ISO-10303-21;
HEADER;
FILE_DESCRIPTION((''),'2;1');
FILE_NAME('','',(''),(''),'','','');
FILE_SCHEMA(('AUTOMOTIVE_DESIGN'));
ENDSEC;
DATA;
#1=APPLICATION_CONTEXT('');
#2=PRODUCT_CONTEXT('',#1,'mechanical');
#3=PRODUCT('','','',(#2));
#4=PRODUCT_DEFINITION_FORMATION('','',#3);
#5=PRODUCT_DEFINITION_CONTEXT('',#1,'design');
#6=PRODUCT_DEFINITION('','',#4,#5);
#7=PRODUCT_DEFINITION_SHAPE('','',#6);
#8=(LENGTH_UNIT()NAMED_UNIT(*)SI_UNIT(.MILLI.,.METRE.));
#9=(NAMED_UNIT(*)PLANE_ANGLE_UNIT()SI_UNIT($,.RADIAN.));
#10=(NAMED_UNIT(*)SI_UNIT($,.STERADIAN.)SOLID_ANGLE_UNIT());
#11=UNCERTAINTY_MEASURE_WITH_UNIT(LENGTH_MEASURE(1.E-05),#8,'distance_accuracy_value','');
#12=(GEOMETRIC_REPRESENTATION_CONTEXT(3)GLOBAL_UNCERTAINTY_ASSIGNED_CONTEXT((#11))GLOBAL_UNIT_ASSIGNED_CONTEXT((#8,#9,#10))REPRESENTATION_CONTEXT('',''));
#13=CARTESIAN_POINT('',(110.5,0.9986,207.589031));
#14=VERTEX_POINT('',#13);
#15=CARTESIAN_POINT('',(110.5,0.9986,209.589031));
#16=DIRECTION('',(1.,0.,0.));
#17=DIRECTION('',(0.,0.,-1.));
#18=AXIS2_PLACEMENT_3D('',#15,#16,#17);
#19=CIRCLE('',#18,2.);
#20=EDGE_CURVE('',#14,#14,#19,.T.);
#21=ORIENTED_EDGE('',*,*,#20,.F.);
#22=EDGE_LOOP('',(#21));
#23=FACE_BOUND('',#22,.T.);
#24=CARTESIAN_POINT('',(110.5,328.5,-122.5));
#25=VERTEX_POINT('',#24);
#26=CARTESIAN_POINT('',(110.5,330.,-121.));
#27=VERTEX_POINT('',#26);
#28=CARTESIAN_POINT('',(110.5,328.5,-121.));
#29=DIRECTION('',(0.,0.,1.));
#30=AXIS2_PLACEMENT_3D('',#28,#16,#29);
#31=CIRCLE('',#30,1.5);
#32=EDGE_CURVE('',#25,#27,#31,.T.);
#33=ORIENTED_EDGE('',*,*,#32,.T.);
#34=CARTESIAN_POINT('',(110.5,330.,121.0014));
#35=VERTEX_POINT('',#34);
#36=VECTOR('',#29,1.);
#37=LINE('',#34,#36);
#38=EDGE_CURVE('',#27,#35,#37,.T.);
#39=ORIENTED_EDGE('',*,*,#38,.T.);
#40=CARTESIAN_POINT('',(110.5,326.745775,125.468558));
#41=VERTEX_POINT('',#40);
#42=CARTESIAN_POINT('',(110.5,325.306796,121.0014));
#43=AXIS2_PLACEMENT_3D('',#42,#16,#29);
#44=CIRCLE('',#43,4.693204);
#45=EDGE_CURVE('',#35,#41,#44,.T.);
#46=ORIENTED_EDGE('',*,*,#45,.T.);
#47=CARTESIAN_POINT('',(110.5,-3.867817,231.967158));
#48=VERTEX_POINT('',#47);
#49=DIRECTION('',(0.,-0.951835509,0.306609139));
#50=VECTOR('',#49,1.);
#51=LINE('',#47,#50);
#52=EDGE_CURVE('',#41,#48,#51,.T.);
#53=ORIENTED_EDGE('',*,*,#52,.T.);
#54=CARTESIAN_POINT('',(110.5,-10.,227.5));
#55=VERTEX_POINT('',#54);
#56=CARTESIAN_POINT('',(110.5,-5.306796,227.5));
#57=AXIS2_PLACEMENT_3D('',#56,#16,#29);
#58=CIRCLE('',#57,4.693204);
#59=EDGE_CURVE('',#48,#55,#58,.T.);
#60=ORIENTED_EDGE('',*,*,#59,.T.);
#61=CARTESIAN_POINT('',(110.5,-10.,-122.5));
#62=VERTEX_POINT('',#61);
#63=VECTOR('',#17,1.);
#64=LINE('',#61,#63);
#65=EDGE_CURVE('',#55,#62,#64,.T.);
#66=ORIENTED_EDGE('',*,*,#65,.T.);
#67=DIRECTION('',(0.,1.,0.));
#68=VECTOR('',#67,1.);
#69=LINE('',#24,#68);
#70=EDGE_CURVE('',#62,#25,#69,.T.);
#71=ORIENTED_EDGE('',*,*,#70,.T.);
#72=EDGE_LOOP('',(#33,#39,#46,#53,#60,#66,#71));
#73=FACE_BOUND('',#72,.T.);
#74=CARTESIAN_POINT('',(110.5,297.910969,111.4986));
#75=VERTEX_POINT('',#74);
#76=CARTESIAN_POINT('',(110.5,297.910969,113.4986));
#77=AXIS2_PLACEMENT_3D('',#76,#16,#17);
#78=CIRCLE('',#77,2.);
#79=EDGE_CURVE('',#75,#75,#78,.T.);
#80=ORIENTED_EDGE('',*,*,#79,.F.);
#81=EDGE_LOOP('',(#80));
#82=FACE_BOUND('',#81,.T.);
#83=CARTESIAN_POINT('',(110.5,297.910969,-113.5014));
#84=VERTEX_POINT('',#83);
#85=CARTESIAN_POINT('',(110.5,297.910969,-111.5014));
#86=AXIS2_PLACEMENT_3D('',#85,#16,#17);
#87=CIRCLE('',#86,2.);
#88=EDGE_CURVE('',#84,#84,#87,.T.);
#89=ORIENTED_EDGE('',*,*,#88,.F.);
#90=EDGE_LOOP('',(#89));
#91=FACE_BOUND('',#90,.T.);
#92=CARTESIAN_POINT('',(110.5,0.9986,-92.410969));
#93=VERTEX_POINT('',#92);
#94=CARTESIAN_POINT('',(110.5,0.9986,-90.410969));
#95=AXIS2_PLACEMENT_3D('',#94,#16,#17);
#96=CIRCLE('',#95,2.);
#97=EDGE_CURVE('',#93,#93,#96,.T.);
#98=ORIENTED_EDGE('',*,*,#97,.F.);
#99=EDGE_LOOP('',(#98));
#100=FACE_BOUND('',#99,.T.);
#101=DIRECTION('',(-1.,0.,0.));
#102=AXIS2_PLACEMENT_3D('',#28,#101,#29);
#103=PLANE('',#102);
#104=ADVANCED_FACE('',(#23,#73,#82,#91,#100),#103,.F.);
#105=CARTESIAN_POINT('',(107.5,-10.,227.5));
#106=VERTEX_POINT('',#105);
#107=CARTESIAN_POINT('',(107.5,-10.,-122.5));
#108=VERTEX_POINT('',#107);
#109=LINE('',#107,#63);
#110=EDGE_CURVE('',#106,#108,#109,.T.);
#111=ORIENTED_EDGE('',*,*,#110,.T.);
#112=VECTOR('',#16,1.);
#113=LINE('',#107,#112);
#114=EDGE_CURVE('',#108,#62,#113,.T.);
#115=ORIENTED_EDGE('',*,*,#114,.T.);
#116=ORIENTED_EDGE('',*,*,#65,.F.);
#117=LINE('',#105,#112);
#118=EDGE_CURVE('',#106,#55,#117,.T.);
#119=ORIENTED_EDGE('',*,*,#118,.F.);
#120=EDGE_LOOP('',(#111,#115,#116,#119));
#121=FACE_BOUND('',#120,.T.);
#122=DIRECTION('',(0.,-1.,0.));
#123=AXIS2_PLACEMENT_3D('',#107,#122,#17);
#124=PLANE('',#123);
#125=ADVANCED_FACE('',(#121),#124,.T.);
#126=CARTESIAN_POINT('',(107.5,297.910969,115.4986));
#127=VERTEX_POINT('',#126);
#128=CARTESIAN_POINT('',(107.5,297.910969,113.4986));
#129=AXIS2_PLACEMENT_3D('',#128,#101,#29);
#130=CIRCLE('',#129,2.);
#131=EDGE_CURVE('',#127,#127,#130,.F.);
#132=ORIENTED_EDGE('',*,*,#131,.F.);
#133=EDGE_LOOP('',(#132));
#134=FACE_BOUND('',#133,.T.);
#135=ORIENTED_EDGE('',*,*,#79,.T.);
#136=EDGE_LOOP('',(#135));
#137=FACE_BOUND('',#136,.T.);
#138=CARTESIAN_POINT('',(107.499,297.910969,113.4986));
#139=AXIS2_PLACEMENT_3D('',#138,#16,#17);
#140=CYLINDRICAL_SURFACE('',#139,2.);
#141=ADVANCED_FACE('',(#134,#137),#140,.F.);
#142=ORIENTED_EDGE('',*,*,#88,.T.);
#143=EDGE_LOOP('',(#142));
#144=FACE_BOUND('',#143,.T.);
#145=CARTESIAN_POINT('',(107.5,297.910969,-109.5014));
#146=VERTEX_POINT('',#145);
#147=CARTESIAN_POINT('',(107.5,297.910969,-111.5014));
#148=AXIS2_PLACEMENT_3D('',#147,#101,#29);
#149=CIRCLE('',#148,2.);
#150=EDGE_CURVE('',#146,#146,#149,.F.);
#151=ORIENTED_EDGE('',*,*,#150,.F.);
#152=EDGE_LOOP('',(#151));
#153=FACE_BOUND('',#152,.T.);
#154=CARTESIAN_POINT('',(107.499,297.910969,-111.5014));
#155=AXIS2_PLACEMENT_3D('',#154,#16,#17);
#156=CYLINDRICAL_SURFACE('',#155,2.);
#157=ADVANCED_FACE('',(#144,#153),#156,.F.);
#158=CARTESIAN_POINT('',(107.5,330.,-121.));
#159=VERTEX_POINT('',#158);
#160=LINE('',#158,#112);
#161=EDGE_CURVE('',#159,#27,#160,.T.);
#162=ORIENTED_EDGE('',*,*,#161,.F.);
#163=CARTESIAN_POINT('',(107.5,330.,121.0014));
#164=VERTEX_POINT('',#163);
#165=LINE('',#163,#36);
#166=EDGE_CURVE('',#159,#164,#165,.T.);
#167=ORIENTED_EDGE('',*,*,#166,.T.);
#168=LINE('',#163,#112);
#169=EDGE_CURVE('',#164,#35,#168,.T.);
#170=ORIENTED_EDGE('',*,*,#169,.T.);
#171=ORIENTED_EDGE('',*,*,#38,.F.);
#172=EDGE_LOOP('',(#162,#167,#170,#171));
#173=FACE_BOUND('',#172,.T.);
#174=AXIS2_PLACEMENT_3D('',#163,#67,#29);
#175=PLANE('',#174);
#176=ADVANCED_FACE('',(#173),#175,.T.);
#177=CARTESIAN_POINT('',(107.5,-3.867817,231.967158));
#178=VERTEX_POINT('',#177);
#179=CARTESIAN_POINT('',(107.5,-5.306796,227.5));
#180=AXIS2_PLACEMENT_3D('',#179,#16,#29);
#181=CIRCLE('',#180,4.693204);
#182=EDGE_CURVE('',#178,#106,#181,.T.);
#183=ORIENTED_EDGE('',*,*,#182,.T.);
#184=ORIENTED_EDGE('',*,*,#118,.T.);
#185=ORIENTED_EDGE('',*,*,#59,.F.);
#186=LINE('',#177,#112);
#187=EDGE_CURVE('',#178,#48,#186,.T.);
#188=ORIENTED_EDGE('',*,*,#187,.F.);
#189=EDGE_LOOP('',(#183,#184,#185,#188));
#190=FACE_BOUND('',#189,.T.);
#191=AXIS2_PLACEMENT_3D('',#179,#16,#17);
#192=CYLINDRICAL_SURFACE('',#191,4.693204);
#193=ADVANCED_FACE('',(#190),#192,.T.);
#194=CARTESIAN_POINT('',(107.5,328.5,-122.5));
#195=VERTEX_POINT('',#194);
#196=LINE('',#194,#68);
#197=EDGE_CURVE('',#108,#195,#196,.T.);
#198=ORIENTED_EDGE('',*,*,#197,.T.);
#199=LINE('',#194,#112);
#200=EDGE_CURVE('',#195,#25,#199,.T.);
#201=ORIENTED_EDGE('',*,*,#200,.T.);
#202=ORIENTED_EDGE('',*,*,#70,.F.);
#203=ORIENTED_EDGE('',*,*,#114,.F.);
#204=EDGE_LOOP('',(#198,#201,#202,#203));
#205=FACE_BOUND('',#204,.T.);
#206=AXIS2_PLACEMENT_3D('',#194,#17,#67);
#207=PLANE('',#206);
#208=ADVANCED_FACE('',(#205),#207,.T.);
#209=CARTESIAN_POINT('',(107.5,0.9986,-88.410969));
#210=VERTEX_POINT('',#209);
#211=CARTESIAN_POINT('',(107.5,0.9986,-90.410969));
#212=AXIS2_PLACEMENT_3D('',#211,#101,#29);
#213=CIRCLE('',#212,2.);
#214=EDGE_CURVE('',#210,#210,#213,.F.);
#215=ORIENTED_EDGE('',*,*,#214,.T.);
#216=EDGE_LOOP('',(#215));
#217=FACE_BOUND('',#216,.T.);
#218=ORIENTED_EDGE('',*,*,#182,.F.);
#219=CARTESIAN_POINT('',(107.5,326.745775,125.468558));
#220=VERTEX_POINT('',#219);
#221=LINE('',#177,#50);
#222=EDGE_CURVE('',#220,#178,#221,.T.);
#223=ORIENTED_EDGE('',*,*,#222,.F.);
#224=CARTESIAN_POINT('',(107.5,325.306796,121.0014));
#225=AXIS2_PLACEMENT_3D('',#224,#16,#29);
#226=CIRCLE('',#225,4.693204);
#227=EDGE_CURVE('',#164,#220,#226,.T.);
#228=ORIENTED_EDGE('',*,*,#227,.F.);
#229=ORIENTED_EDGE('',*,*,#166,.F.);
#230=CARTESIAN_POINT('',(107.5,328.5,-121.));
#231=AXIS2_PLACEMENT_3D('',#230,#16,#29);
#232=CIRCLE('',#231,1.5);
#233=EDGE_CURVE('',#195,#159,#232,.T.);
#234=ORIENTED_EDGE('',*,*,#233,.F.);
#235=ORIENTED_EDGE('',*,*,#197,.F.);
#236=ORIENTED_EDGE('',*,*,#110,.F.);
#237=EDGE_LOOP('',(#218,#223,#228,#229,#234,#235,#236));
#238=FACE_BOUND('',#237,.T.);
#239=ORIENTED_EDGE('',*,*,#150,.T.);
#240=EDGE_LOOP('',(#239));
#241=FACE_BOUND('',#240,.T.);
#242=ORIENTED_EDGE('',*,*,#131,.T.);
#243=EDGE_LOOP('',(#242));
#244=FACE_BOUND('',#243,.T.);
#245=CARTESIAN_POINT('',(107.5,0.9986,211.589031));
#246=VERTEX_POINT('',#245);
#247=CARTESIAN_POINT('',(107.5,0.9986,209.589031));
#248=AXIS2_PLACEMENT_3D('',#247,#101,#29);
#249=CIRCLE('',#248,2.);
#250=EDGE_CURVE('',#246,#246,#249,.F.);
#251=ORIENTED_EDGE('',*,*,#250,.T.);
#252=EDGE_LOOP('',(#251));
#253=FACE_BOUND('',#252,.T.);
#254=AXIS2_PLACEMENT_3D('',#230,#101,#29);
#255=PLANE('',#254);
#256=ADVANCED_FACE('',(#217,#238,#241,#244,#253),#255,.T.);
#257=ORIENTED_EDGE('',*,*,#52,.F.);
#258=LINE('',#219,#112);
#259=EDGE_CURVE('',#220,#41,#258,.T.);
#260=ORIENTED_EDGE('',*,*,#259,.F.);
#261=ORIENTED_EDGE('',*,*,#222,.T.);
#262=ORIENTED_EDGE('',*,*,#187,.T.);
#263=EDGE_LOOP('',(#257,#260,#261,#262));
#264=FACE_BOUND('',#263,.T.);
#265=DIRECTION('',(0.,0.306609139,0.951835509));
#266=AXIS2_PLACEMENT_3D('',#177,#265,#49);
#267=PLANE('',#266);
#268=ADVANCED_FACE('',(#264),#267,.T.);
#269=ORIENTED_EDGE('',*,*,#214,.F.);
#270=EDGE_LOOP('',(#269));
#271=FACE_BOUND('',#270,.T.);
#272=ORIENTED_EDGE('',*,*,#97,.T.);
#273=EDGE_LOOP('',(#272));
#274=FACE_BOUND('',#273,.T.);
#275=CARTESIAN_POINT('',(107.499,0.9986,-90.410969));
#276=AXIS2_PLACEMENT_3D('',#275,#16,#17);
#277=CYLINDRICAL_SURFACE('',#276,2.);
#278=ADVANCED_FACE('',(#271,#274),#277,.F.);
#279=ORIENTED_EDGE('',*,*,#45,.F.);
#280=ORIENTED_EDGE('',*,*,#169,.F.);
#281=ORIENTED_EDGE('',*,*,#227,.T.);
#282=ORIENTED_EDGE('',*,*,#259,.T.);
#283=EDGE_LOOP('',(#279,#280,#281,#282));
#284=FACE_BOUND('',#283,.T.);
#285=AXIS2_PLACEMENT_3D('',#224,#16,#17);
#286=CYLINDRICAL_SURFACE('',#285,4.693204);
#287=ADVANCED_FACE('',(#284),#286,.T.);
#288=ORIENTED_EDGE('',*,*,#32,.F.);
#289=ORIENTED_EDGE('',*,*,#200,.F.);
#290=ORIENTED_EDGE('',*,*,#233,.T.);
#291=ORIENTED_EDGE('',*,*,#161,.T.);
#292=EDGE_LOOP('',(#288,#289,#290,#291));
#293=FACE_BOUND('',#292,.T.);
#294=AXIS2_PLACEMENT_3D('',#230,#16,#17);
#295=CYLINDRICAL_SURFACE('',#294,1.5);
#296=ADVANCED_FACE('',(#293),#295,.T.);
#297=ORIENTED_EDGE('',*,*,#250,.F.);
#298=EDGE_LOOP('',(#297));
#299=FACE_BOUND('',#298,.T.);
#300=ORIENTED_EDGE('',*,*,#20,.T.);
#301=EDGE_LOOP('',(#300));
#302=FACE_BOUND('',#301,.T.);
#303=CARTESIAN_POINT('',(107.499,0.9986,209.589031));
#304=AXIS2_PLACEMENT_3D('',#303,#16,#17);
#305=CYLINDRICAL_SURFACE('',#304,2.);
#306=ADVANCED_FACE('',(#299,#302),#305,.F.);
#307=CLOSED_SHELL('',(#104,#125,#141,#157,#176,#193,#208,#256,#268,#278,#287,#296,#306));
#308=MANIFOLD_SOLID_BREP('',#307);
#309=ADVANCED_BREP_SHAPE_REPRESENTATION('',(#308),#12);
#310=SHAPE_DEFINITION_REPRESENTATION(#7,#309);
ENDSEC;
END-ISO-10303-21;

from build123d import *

# Parameters (mm, degrees)
BOSS_EXTRUDE1_DEPTH = 3
CUT_EXTRUDE2_REACH  = 5
SKETCH2_R           = 2


with BuildPart() as part:
    # Sketch1 → Boss-Extrude1 (new body)
    with BuildSketch(Plane(origin=(110.5, 0, 0), x_dir=(0, 0, -1), z_dir=(1, 0, 0))):
        with BuildLine():
            Line((122.5, 328.5), (122.5, -10))
            Line((122.5, -10), (-227.5, -10))
            ThreePointArc((-227.5, -10), (-231.293387843, -8.070194473), (-231.967157887, -3.867817213))
            Line((-231.967157887, -3.867817213), (-125.468557887, 326.745775479))
            ThreePointArc((-125.468557887, 326.745775479), (-123.764798126, 329.10018419), (-121.0014, 330))
            Line((-121.0014, 330), (121, 330))
            ThreePointArc((121, 330), (122.060660172, 329.560660172), (122.5, 328.5))
        make_face()
    extrude(amount=-BOSS_EXTRUDE1_DEPTH)

    # Sketch2 → Cut-Extrude2 (cut, up to next)
    with BuildSketch(Plane(origin=(110.5, 0, 0), x_dir=(0, 0, -1), z_dir=(1, 0, 0)), mode=Mode.PRIVATE) as cut_extrude2_sk1:
        with Locations((111.5014, 297.910969137)):
            Circle(SKETCH2_R)
    cut_extrude2_tool1 = extrude(cut_extrude2_sk1.sketch, amount=-CUT_EXTRUDE2_REACH, mode=Mode.PRIVATE) & part.part
    add(cut_extrude2_tool1.solids().sort_by_distance((110.5, 297.910969, -111.5014))[0], mode=Mode.SUBTRACT)
    # Sketch2 → Cut-Extrude2 (cut, up to next)
    with BuildSketch(Plane(origin=(110.5, 0, 0), x_dir=(0, 0, -1), z_dir=(1, 0, 0)), mode=Mode.PRIVATE) as cut_extrude2_sk2:
        with Locations((90.410969137, 0.9986)):
            Circle(SKETCH2_R)
    cut_extrude2_tool2 = extrude(cut_extrude2_sk2.sketch, amount=-CUT_EXTRUDE2_REACH, mode=Mode.PRIVATE) & part.part
    add(cut_extrude2_tool2.solids().sort_by_distance((110.5, 0.9986, -90.410969))[0], mode=Mode.SUBTRACT)
    # Sketch2 → Cut-Extrude2 (cut, up to next)
    with BuildSketch(Plane(origin=(110.5, 0, 0), x_dir=(0, 0, -1), z_dir=(1, 0, 0)), mode=Mode.PRIVATE) as cut_extrude2_sk3:
        with Locations((-209.589030863, 0.9986)):
            Circle(SKETCH2_R)
    cut_extrude2_tool3 = extrude(cut_extrude2_sk3.sketch, amount=-CUT_EXTRUDE2_REACH, mode=Mode.PRIVATE) & part.part
    add(cut_extrude2_tool3.solids().sort_by_distance((110.5, 0.9986, 209.589031))[0], mode=Mode.SUBTRACT)
    # Sketch2 → Cut-Extrude2 (cut, up to next)
    with BuildSketch(Plane(origin=(110.5, 0, 0), x_dir=(0, 0, -1), z_dir=(1, 0, 0)), mode=Mode.PRIVATE) as cut_extrude2_sk4:
        with Locations((-113.4986, 297.910969137)):
            Circle(SKETCH2_R)
    cut_extrude2_tool4 = extrude(cut_extrude2_sk4.sketch, amount=-CUT_EXTRUDE2_REACH, mode=Mode.PRIVATE) & part.part
    add(cut_extrude2_tool4.solids().sort_by_distance((110.5, 297.910969, 113.4986))[0], mode=Mode.SUBTRACT)


solid = part.part
